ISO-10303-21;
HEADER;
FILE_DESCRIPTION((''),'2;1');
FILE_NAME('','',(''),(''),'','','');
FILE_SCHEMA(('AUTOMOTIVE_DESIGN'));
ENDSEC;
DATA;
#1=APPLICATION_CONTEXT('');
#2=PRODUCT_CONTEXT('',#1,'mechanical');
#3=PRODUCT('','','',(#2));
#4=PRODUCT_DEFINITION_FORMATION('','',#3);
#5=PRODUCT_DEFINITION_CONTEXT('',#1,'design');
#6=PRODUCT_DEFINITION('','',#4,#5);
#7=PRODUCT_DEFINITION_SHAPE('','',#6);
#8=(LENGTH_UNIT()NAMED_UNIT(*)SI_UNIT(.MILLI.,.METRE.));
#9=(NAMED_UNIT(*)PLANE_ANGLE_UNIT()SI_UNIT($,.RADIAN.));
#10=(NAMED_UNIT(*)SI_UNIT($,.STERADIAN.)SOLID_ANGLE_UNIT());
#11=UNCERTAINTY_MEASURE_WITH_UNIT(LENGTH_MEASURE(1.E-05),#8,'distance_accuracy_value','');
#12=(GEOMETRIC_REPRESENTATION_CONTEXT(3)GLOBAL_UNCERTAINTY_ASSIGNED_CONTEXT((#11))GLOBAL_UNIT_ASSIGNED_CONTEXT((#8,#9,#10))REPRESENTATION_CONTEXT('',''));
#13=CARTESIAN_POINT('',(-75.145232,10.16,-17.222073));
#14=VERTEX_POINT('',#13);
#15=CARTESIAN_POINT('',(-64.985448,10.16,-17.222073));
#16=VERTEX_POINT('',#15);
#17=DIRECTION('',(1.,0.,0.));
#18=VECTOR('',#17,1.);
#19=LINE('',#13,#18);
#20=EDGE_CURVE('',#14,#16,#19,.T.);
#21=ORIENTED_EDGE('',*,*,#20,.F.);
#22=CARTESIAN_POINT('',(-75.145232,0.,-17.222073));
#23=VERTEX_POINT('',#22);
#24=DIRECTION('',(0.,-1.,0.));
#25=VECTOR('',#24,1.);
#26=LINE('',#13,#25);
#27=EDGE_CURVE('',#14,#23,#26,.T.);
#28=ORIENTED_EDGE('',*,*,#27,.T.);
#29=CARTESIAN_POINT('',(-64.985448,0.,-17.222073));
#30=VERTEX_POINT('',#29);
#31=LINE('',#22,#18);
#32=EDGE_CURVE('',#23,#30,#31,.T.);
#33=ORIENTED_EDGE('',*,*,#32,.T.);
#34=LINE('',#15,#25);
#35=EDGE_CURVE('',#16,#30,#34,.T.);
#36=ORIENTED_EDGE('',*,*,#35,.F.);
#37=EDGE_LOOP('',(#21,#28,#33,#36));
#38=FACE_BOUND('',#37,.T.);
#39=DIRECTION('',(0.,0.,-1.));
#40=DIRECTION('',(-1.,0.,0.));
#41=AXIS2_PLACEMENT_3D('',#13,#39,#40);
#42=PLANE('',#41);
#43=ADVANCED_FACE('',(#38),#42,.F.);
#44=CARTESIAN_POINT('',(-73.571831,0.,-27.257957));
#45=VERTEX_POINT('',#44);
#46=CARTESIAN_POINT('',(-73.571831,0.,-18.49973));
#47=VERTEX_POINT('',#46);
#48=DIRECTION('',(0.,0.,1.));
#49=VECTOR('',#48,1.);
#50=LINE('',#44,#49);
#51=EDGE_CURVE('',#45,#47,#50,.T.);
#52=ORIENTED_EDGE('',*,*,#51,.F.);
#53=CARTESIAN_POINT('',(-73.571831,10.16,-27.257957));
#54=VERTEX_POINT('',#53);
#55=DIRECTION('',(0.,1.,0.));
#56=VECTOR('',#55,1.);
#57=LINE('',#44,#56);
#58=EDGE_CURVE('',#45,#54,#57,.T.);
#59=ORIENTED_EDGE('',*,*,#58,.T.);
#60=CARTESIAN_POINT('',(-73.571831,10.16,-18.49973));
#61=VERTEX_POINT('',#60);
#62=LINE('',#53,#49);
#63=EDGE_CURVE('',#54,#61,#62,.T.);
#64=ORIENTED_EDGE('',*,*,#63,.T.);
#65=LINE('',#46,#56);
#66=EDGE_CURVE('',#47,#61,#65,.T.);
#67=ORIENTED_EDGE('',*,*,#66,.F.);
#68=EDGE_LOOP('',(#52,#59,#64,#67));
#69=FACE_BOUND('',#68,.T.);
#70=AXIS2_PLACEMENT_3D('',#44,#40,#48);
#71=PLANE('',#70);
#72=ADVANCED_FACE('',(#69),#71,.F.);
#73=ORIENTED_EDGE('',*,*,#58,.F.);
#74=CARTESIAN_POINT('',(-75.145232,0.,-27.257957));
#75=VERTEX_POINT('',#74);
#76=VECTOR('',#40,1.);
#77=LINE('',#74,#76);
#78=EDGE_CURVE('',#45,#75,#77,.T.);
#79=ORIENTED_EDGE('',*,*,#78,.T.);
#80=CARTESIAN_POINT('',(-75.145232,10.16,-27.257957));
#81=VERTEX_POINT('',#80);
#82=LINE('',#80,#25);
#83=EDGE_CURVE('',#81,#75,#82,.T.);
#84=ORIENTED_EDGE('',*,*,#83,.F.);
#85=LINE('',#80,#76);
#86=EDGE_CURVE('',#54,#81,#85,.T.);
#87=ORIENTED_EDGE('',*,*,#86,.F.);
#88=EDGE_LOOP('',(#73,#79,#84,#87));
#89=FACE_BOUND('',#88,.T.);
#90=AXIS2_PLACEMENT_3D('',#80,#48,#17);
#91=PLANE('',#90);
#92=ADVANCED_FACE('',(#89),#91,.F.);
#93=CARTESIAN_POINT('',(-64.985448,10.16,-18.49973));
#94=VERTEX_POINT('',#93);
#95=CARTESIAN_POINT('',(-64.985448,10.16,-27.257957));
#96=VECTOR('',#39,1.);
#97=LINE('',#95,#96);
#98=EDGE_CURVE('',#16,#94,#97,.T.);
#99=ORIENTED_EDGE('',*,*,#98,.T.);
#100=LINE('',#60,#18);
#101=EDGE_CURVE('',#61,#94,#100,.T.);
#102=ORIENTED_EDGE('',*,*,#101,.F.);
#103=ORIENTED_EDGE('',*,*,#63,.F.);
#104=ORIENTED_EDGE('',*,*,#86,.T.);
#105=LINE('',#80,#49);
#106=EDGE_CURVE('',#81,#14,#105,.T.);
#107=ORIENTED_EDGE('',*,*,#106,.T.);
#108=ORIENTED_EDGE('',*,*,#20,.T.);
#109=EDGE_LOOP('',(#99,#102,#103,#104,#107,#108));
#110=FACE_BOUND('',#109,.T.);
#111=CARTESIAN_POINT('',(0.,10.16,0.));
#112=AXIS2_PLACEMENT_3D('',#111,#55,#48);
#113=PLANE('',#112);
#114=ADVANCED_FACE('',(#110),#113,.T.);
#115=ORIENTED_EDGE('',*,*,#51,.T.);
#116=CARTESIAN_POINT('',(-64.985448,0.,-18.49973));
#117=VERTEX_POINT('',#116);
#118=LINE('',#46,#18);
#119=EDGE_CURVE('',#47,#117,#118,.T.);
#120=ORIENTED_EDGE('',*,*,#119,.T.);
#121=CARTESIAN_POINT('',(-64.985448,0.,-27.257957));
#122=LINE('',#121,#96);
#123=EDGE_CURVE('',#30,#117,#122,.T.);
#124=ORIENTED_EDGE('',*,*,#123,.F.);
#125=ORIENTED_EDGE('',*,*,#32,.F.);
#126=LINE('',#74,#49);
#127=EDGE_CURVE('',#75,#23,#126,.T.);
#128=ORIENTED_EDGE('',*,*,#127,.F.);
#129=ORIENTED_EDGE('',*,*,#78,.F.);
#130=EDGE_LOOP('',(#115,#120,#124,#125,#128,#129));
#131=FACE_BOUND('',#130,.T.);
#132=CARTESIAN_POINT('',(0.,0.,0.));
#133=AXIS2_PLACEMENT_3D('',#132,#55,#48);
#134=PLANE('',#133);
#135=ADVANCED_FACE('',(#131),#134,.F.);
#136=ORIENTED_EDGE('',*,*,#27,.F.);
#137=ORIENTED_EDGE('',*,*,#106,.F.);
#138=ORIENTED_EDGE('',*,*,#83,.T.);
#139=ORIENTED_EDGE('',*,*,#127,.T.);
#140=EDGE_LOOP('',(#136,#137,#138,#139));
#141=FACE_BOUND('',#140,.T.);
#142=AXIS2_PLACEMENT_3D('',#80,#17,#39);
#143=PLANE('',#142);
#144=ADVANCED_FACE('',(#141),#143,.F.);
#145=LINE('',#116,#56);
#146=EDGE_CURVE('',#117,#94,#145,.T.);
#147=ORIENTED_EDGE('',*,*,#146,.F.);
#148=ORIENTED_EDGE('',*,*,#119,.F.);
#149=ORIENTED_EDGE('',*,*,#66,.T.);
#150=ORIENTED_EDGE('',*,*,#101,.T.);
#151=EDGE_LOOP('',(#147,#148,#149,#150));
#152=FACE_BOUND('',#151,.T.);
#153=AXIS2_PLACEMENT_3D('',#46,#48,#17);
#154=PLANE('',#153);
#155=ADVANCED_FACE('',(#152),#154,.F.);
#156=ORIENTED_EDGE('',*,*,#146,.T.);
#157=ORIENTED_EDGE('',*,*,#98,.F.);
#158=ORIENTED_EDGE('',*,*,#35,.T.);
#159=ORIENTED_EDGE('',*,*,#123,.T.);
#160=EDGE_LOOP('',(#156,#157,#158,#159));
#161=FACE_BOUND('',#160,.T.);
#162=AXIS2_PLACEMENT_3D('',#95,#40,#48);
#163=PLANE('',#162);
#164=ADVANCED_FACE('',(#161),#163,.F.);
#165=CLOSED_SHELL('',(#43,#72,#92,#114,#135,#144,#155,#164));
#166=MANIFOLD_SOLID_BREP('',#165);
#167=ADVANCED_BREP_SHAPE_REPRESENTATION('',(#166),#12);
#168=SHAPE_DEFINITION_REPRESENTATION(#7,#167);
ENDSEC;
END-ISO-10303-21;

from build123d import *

# Parameters (mm, degrees)
SKETCH1_W           = 10.15978406
SKETCH1_H           = 10.035884255
BOSS_EXTRUDE1_DEPTH = 10.16
SKETCH2_W           = 8.586382864
SKETCH2_H           = 8.758227578
CUT_EXTRUDE1_DEPTH  = 10.16


with BuildPart() as part:
    # Sketch1 → Boss-Extrude1 (new body)
    with BuildSketch(Plane(origin=(0, 0, 0), x_dir=(1, 0, 0), z_dir=(0, 1, 0))):
        with Locations((-70.065340074, 22.240015107)):
            Rectangle(SKETCH1_W, SKETCH1_H)
    extrude(amount=BOSS_EXTRUDE1_DEPTH)

    # Sketch2 → Cut-Extrude1 (cut)
    with BuildSketch(Plane(origin=(0, 10.16, 0), x_dir=(1, 0, 0), z_dir=(0, 1, 0))):
        with Locations((-69.278639476, 22.878843446)):
            Rectangle(SKETCH2_W, SKETCH2_H)
    extrude(amount=-CUT_EXTRUDE1_DEPTH, mode=Mode.SUBTRACT)


solid = part.part
